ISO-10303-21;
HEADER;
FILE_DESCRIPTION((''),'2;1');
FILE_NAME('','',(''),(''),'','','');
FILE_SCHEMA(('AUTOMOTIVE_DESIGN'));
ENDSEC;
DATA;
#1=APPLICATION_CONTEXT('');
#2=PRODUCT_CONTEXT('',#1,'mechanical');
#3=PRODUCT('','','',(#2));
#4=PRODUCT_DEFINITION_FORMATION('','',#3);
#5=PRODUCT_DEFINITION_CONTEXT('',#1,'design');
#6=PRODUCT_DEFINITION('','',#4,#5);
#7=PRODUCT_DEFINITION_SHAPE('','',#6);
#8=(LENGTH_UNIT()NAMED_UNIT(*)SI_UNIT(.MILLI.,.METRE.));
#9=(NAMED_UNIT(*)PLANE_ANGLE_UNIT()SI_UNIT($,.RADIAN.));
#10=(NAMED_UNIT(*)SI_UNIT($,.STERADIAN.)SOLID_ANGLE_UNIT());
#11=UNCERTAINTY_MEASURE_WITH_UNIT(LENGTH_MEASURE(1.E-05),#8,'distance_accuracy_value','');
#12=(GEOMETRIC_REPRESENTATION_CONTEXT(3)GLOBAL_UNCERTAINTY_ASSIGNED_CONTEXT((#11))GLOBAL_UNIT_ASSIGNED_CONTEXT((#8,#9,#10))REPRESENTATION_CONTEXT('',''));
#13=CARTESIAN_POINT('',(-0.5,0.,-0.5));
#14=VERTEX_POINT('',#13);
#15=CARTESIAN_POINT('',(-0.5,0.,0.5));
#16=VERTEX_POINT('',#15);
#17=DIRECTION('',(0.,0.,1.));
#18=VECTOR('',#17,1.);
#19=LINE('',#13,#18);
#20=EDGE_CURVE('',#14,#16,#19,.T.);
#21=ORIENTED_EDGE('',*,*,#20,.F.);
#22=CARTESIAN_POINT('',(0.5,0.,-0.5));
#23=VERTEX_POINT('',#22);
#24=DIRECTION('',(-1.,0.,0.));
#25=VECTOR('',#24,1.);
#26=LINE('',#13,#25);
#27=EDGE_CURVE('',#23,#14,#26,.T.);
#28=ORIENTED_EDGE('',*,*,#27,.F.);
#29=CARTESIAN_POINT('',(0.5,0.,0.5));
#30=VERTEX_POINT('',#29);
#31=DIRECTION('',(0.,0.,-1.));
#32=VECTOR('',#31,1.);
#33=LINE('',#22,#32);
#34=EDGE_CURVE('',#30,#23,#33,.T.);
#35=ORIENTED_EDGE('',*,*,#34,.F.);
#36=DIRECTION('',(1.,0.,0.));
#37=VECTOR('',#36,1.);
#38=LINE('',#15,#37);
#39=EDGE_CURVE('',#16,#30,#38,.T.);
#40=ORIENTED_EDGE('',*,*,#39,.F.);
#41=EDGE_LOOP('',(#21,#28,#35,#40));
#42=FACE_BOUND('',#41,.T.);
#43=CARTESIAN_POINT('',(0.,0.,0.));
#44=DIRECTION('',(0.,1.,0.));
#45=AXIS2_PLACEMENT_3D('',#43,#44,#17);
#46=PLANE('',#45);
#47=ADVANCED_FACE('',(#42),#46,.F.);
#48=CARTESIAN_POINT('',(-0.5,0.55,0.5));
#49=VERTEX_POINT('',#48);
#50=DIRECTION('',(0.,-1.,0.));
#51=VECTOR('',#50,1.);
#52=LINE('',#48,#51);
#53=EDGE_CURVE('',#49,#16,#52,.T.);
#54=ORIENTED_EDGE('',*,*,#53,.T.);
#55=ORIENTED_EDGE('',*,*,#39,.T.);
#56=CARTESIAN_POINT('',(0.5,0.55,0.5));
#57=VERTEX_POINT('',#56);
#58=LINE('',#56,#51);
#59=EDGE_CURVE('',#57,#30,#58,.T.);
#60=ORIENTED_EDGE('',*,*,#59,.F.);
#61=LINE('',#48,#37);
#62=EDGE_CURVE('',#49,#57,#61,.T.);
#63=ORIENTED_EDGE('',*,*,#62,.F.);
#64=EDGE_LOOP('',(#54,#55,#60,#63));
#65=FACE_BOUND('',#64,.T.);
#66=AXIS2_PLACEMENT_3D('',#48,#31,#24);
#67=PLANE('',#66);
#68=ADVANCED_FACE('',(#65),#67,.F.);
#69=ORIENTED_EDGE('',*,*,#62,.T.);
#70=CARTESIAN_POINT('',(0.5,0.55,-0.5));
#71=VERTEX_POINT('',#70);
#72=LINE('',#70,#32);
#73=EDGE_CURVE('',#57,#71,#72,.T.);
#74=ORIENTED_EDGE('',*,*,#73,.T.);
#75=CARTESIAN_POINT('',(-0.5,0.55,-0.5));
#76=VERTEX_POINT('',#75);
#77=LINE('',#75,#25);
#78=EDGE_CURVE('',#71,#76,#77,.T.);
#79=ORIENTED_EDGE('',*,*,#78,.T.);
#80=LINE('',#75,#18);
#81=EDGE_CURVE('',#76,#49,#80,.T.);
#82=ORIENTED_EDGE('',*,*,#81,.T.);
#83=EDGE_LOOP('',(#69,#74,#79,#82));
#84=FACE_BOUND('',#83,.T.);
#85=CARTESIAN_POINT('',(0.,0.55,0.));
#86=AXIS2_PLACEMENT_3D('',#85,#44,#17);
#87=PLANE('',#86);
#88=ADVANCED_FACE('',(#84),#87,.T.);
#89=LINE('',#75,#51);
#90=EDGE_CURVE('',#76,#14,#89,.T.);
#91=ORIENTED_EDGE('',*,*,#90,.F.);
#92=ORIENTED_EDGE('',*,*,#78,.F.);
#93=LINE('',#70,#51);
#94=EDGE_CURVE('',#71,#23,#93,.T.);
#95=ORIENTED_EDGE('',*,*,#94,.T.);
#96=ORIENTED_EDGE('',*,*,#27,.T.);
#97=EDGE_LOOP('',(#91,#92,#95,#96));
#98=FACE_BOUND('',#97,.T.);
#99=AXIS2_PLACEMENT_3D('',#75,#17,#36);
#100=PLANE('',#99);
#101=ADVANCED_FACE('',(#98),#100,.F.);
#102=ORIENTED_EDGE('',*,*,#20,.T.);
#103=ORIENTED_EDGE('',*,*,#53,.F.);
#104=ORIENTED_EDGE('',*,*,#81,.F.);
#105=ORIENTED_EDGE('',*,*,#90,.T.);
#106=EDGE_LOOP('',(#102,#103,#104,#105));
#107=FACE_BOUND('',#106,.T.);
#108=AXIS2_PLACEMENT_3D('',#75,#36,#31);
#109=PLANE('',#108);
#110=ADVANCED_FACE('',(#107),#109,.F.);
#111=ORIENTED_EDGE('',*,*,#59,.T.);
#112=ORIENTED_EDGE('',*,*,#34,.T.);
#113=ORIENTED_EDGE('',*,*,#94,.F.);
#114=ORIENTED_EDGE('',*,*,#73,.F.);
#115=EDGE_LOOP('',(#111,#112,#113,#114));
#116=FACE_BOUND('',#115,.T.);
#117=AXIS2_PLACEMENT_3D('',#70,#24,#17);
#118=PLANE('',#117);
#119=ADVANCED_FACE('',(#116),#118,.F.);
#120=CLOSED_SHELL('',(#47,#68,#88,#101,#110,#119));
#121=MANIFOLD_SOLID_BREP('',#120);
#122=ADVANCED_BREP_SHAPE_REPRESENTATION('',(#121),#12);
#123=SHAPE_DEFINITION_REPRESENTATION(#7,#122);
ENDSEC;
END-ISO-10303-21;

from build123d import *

# Parameters (mm, degrees)
CROQUIS1_W              = 1
CROQUIS1_H              = 1
SALIENTE_EXTRUIR1_DEPTH = 0.55


with BuildPart() as part:
    # Croquis1 → Saliente-Extruir1 (new body)
    with BuildSketch(Plane(origin=(0, 0, 0), x_dir=(1, 0, 0), z_dir=(0, 1, 0))):
        Rectangle(CROQUIS1_W, CROQUIS1_H)
    extrude(amount=SALIENTE_EXTRUIR1_DEPTH)


solid = part.part
